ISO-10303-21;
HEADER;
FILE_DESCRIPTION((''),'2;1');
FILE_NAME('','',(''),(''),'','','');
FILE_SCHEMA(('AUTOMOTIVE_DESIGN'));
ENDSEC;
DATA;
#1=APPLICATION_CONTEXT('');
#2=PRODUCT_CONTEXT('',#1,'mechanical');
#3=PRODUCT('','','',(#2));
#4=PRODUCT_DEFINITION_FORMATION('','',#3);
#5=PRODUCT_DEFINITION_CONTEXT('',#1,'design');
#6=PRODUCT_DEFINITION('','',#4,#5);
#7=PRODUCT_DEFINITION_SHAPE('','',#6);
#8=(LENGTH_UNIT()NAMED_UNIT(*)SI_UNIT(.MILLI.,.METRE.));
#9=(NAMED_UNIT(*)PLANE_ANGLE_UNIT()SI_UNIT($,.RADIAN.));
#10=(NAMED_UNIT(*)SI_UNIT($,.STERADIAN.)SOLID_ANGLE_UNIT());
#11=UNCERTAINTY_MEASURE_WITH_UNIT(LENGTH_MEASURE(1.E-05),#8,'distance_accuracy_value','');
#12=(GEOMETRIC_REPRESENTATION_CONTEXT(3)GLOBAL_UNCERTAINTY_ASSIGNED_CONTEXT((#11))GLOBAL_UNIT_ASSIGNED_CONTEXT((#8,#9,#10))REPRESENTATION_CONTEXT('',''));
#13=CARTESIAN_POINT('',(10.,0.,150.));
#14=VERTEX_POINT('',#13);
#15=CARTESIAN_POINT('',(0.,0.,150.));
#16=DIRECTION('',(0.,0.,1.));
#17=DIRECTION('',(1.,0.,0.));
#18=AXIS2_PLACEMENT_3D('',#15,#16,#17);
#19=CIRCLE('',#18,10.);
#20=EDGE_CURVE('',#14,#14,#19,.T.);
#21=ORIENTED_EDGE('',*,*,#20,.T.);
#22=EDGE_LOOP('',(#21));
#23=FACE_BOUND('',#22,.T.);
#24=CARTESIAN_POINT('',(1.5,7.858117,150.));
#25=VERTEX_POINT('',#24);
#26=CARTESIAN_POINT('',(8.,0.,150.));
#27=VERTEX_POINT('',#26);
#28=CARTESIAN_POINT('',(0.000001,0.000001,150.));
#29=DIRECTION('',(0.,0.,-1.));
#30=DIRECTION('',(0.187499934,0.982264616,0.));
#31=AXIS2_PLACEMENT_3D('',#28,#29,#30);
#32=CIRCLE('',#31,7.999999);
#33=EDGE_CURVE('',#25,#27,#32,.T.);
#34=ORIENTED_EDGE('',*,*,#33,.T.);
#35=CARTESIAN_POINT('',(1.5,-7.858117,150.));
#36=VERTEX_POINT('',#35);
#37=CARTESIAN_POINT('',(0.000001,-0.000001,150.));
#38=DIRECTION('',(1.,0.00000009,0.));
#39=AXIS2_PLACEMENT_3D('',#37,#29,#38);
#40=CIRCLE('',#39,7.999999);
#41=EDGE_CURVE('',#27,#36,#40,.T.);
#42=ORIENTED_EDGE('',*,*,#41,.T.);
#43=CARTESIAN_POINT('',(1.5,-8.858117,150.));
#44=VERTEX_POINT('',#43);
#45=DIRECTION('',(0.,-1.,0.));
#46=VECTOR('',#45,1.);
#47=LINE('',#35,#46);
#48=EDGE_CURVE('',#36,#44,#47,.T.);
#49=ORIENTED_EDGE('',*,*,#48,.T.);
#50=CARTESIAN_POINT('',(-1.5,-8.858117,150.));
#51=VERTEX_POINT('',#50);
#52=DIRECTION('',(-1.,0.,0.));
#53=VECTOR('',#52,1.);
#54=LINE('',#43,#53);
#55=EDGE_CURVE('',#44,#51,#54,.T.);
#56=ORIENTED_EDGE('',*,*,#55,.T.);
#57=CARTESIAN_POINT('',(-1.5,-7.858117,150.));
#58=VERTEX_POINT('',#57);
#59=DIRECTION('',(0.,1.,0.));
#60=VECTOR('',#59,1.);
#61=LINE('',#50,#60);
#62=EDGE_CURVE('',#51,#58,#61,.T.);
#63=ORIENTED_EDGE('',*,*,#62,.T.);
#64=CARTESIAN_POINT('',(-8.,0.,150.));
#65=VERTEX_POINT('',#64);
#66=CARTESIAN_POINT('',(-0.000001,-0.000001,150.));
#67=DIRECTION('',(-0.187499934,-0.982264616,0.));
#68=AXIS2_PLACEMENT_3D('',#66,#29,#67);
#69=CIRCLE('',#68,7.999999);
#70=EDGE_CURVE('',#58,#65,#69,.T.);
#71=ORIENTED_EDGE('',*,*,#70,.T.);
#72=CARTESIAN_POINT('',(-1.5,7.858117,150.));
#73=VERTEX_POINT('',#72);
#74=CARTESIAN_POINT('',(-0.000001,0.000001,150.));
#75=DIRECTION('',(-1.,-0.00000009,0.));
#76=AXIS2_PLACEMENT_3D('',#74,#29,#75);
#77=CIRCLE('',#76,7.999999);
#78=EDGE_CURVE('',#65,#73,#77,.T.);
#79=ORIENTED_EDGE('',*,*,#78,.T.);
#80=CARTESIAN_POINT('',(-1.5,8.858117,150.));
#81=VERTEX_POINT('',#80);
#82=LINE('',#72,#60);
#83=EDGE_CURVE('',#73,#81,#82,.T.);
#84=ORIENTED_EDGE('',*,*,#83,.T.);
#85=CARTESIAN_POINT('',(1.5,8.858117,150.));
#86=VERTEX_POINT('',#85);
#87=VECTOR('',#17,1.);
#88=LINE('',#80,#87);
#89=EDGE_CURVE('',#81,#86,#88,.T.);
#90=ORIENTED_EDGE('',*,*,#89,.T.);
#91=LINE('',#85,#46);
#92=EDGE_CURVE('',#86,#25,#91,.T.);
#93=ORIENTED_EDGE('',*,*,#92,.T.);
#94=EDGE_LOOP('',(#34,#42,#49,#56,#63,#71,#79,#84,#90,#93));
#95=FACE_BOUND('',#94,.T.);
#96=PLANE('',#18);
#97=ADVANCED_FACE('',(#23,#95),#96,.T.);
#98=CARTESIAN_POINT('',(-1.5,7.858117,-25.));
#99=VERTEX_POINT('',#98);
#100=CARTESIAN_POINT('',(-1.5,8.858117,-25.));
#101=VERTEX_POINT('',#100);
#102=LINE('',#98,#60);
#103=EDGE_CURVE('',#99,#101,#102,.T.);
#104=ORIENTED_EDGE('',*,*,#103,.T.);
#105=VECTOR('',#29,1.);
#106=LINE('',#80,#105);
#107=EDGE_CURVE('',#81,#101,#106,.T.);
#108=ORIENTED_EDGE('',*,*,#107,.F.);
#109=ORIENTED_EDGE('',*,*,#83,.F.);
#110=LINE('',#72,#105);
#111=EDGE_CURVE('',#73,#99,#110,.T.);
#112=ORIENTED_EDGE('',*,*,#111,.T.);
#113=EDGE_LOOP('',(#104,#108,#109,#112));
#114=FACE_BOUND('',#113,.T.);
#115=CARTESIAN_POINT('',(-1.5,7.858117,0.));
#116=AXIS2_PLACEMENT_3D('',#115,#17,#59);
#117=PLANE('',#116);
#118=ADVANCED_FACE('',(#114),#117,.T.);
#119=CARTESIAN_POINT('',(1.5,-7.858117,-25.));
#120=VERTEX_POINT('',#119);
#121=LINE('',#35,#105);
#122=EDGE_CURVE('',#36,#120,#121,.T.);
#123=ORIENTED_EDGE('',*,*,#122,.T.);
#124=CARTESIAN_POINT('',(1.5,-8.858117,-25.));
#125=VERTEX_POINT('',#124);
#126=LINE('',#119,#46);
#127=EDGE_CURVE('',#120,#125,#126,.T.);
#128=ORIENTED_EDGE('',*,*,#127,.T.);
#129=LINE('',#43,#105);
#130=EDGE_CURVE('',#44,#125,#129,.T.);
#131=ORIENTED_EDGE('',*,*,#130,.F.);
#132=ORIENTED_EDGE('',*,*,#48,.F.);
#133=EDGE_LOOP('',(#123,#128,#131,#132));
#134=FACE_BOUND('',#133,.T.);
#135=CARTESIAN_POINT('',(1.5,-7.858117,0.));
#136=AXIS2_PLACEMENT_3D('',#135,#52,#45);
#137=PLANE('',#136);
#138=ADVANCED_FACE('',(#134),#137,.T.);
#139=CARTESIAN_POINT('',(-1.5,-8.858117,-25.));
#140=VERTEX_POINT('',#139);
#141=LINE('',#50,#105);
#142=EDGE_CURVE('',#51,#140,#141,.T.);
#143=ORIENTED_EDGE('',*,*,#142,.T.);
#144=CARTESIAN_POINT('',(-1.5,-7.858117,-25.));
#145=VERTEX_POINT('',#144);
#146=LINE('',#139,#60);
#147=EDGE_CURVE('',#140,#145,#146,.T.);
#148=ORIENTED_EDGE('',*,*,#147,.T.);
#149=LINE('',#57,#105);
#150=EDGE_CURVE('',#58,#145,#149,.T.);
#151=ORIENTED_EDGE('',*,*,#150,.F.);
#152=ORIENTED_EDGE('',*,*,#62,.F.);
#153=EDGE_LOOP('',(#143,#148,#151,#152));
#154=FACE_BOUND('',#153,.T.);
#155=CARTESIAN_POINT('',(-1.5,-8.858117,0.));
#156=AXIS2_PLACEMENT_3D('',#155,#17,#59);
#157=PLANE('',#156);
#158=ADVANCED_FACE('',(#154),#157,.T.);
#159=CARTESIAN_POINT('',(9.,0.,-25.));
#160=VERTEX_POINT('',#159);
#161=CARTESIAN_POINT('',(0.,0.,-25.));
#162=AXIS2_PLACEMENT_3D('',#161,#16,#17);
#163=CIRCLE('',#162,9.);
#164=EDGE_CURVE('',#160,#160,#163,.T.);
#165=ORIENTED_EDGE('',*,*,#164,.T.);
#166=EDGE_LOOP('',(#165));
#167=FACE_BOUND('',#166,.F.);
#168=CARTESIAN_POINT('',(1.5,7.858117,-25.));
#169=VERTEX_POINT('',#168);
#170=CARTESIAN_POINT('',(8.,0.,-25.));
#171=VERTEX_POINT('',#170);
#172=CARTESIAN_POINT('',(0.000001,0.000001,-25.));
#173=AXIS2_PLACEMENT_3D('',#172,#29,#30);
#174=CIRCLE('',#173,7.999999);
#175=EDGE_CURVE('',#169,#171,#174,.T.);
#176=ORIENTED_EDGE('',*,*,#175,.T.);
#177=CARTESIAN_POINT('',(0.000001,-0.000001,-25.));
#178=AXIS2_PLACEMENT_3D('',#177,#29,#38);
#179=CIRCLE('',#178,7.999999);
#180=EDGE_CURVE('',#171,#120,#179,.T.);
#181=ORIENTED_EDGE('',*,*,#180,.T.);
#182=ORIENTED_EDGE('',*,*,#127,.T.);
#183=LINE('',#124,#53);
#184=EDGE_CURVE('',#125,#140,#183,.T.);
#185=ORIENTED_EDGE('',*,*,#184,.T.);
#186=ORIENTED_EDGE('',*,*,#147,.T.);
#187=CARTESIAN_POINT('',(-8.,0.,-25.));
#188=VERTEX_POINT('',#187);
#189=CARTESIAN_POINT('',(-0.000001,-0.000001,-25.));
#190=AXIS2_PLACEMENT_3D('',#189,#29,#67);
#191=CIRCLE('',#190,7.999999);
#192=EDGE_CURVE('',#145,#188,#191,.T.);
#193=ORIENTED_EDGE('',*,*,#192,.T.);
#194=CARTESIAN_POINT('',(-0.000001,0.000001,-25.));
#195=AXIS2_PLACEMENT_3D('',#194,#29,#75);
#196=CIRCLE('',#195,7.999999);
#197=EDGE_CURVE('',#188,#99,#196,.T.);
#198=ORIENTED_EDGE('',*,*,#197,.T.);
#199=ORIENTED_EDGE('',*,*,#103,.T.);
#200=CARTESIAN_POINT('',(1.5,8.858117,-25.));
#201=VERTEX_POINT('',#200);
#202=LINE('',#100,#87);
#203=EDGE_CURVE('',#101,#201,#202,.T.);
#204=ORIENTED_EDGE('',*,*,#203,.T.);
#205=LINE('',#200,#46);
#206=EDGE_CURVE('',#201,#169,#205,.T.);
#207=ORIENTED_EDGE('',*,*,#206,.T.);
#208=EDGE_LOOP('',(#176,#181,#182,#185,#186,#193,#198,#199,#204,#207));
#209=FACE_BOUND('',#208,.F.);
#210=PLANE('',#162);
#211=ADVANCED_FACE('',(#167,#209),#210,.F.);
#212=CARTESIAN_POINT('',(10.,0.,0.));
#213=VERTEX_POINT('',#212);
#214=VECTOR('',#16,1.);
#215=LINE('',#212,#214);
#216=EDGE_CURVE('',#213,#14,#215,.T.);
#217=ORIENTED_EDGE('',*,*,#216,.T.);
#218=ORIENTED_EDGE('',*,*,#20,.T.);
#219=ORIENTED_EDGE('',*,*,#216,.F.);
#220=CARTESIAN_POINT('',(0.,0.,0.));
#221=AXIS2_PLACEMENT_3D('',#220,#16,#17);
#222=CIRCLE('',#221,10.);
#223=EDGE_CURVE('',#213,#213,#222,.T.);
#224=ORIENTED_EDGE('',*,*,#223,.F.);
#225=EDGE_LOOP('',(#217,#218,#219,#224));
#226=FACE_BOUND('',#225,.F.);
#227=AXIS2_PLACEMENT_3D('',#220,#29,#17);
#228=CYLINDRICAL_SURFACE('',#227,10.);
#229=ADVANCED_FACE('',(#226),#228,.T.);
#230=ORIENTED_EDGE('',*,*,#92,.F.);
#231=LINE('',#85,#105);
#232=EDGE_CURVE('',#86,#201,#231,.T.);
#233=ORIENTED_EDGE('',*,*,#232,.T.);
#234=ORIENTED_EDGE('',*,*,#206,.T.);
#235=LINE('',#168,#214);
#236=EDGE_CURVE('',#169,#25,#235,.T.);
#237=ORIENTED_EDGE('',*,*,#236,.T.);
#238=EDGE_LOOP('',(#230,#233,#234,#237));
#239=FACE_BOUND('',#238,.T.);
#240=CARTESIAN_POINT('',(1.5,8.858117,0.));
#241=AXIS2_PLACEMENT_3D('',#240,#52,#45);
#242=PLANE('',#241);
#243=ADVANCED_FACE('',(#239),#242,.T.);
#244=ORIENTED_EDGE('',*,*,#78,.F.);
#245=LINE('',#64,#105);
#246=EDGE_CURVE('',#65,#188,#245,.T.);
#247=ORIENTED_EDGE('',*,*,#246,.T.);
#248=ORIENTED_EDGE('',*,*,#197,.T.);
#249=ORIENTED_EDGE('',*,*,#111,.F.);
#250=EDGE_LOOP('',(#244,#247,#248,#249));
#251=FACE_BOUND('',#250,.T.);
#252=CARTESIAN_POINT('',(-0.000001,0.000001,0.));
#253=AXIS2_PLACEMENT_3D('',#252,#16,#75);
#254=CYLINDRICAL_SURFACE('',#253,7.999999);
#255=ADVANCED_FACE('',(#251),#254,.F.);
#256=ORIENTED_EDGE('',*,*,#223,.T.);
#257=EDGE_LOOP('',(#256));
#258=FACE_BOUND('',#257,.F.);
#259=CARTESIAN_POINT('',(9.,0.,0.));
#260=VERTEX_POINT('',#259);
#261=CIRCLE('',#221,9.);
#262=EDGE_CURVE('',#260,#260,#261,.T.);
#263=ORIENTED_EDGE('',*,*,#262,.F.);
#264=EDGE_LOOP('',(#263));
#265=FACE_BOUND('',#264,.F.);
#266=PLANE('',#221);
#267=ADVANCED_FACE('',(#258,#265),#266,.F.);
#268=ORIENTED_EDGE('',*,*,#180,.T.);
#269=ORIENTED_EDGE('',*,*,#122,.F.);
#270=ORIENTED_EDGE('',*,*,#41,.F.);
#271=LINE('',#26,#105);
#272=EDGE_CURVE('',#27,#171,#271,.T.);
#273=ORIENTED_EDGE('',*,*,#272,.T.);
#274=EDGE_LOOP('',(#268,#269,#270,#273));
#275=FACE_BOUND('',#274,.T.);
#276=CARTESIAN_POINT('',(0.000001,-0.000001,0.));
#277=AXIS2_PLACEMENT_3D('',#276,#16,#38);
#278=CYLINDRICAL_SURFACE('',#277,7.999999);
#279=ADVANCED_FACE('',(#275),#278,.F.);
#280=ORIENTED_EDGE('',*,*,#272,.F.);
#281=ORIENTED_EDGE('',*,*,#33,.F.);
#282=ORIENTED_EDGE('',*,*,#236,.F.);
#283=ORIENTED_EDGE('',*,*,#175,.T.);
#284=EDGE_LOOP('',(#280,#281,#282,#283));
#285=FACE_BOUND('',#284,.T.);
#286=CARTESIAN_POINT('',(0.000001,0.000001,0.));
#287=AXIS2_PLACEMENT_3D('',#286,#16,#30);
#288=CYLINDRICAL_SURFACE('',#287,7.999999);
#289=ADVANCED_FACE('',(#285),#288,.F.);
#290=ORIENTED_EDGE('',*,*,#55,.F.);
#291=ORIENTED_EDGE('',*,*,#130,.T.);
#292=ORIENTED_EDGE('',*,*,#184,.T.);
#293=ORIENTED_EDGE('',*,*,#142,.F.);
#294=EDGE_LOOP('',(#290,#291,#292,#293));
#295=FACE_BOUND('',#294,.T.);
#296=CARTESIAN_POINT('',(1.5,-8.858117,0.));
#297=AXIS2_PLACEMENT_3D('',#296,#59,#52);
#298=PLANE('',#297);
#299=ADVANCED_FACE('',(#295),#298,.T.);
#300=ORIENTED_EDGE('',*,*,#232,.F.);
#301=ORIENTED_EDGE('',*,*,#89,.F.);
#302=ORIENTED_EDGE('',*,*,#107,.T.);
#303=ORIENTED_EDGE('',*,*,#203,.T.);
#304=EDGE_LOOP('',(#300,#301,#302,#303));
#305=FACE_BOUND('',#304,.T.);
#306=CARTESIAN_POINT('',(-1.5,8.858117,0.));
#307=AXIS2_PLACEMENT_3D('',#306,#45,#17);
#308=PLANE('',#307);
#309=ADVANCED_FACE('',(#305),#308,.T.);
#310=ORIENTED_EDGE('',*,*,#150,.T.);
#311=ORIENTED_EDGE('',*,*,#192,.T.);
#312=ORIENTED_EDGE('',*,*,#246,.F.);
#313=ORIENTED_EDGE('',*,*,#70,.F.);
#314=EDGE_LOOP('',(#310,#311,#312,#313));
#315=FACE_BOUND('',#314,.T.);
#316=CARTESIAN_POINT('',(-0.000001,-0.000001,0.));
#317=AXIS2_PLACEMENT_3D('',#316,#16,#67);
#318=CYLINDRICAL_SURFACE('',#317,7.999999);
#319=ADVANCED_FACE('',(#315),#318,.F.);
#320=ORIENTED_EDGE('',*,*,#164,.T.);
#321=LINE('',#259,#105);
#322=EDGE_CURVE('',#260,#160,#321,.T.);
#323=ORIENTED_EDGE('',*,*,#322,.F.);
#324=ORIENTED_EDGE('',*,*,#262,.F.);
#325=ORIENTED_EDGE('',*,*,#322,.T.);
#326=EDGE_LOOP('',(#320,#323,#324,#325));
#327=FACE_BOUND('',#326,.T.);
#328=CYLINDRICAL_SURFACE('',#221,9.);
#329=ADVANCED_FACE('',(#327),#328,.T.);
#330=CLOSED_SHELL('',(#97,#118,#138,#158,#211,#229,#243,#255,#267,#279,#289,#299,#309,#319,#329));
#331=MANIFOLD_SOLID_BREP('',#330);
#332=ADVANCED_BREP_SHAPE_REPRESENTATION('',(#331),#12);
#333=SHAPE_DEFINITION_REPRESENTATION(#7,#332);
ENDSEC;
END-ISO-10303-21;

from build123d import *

# Parameters (mm, degrees)
F0_R     = 10
F0_R_2   = 9
F1_DEPTH = 150
F2_DEPTH = 25


with BuildPart() as f1:
    # F0 (on Top) → F1 (new body)
    with BuildSketch(Plane.XY):
        Circle(F0_R)
        Circle(F0_R_2, mode=Mode.SUBTRACT)
        Circle(F0_R_2)
        with BuildLine():
            ThreePointArc((1.5, 7.858117), (6.164414, 5.09902), (8, 0))
            ThreePointArc((8, 0), (6.164414, -5.09902), (1.5, -7.858117))
            Line((1.5, -7.858117), (1.5, -8.858117))
            Line((1.5, -8.858117), (-1.5, -8.858117))
            Line((-1.5, -8.858117), (-1.5, -7.858117))
            ThreePointArc((-1.5, -7.858117), (-6.164414, -5.09902), (-8, 0))
            ThreePointArc((-8, 0), (-6.164414, 5.09902), (-1.5, 7.858117))
            Line((-1.5, 7.858117), (-1.5, 8.858117))
            Line((-1.5, 8.858117), (1.5, 8.858117))
            Line((1.5, 8.858117), (1.5, 7.858117))
        make_face(mode=Mode.SUBTRACT)
    extrude(amount=F1_DEPTH)

    # F0 (on Top) → F2 (join)
    with BuildSketch(Plane.XY):
        Circle(F0_R_2)
        with BuildLine():
            ThreePointArc((1.5, 7.858117), (6.164414, 5.09902), (8, 0))
            ThreePointArc((8, 0), (6.164414, -5.09902), (1.5, -7.858117))
            Line((1.5, -7.858117), (1.5, -8.858117))
            Line((1.5, -8.858117), (-1.5, -8.858117))
            Line((-1.5, -8.858117), (-1.5, -7.858117))
            ThreePointArc((-1.5, -7.858117), (-6.164414, -5.09902), (-8, 0))
            ThreePointArc((-8, 0), (-6.164414, 5.09902), (-1.5, 7.858117))
            Line((-1.5, 7.858117), (-1.5, 8.858117))
            Line((-1.5, 8.858117), (1.5, 8.858117))
            Line((1.5, 8.858117), (1.5, 7.858117))
        make_face(mode=Mode.SUBTRACT)
    extrude(amount=-F2_DEPTH)


solid = f1.part
